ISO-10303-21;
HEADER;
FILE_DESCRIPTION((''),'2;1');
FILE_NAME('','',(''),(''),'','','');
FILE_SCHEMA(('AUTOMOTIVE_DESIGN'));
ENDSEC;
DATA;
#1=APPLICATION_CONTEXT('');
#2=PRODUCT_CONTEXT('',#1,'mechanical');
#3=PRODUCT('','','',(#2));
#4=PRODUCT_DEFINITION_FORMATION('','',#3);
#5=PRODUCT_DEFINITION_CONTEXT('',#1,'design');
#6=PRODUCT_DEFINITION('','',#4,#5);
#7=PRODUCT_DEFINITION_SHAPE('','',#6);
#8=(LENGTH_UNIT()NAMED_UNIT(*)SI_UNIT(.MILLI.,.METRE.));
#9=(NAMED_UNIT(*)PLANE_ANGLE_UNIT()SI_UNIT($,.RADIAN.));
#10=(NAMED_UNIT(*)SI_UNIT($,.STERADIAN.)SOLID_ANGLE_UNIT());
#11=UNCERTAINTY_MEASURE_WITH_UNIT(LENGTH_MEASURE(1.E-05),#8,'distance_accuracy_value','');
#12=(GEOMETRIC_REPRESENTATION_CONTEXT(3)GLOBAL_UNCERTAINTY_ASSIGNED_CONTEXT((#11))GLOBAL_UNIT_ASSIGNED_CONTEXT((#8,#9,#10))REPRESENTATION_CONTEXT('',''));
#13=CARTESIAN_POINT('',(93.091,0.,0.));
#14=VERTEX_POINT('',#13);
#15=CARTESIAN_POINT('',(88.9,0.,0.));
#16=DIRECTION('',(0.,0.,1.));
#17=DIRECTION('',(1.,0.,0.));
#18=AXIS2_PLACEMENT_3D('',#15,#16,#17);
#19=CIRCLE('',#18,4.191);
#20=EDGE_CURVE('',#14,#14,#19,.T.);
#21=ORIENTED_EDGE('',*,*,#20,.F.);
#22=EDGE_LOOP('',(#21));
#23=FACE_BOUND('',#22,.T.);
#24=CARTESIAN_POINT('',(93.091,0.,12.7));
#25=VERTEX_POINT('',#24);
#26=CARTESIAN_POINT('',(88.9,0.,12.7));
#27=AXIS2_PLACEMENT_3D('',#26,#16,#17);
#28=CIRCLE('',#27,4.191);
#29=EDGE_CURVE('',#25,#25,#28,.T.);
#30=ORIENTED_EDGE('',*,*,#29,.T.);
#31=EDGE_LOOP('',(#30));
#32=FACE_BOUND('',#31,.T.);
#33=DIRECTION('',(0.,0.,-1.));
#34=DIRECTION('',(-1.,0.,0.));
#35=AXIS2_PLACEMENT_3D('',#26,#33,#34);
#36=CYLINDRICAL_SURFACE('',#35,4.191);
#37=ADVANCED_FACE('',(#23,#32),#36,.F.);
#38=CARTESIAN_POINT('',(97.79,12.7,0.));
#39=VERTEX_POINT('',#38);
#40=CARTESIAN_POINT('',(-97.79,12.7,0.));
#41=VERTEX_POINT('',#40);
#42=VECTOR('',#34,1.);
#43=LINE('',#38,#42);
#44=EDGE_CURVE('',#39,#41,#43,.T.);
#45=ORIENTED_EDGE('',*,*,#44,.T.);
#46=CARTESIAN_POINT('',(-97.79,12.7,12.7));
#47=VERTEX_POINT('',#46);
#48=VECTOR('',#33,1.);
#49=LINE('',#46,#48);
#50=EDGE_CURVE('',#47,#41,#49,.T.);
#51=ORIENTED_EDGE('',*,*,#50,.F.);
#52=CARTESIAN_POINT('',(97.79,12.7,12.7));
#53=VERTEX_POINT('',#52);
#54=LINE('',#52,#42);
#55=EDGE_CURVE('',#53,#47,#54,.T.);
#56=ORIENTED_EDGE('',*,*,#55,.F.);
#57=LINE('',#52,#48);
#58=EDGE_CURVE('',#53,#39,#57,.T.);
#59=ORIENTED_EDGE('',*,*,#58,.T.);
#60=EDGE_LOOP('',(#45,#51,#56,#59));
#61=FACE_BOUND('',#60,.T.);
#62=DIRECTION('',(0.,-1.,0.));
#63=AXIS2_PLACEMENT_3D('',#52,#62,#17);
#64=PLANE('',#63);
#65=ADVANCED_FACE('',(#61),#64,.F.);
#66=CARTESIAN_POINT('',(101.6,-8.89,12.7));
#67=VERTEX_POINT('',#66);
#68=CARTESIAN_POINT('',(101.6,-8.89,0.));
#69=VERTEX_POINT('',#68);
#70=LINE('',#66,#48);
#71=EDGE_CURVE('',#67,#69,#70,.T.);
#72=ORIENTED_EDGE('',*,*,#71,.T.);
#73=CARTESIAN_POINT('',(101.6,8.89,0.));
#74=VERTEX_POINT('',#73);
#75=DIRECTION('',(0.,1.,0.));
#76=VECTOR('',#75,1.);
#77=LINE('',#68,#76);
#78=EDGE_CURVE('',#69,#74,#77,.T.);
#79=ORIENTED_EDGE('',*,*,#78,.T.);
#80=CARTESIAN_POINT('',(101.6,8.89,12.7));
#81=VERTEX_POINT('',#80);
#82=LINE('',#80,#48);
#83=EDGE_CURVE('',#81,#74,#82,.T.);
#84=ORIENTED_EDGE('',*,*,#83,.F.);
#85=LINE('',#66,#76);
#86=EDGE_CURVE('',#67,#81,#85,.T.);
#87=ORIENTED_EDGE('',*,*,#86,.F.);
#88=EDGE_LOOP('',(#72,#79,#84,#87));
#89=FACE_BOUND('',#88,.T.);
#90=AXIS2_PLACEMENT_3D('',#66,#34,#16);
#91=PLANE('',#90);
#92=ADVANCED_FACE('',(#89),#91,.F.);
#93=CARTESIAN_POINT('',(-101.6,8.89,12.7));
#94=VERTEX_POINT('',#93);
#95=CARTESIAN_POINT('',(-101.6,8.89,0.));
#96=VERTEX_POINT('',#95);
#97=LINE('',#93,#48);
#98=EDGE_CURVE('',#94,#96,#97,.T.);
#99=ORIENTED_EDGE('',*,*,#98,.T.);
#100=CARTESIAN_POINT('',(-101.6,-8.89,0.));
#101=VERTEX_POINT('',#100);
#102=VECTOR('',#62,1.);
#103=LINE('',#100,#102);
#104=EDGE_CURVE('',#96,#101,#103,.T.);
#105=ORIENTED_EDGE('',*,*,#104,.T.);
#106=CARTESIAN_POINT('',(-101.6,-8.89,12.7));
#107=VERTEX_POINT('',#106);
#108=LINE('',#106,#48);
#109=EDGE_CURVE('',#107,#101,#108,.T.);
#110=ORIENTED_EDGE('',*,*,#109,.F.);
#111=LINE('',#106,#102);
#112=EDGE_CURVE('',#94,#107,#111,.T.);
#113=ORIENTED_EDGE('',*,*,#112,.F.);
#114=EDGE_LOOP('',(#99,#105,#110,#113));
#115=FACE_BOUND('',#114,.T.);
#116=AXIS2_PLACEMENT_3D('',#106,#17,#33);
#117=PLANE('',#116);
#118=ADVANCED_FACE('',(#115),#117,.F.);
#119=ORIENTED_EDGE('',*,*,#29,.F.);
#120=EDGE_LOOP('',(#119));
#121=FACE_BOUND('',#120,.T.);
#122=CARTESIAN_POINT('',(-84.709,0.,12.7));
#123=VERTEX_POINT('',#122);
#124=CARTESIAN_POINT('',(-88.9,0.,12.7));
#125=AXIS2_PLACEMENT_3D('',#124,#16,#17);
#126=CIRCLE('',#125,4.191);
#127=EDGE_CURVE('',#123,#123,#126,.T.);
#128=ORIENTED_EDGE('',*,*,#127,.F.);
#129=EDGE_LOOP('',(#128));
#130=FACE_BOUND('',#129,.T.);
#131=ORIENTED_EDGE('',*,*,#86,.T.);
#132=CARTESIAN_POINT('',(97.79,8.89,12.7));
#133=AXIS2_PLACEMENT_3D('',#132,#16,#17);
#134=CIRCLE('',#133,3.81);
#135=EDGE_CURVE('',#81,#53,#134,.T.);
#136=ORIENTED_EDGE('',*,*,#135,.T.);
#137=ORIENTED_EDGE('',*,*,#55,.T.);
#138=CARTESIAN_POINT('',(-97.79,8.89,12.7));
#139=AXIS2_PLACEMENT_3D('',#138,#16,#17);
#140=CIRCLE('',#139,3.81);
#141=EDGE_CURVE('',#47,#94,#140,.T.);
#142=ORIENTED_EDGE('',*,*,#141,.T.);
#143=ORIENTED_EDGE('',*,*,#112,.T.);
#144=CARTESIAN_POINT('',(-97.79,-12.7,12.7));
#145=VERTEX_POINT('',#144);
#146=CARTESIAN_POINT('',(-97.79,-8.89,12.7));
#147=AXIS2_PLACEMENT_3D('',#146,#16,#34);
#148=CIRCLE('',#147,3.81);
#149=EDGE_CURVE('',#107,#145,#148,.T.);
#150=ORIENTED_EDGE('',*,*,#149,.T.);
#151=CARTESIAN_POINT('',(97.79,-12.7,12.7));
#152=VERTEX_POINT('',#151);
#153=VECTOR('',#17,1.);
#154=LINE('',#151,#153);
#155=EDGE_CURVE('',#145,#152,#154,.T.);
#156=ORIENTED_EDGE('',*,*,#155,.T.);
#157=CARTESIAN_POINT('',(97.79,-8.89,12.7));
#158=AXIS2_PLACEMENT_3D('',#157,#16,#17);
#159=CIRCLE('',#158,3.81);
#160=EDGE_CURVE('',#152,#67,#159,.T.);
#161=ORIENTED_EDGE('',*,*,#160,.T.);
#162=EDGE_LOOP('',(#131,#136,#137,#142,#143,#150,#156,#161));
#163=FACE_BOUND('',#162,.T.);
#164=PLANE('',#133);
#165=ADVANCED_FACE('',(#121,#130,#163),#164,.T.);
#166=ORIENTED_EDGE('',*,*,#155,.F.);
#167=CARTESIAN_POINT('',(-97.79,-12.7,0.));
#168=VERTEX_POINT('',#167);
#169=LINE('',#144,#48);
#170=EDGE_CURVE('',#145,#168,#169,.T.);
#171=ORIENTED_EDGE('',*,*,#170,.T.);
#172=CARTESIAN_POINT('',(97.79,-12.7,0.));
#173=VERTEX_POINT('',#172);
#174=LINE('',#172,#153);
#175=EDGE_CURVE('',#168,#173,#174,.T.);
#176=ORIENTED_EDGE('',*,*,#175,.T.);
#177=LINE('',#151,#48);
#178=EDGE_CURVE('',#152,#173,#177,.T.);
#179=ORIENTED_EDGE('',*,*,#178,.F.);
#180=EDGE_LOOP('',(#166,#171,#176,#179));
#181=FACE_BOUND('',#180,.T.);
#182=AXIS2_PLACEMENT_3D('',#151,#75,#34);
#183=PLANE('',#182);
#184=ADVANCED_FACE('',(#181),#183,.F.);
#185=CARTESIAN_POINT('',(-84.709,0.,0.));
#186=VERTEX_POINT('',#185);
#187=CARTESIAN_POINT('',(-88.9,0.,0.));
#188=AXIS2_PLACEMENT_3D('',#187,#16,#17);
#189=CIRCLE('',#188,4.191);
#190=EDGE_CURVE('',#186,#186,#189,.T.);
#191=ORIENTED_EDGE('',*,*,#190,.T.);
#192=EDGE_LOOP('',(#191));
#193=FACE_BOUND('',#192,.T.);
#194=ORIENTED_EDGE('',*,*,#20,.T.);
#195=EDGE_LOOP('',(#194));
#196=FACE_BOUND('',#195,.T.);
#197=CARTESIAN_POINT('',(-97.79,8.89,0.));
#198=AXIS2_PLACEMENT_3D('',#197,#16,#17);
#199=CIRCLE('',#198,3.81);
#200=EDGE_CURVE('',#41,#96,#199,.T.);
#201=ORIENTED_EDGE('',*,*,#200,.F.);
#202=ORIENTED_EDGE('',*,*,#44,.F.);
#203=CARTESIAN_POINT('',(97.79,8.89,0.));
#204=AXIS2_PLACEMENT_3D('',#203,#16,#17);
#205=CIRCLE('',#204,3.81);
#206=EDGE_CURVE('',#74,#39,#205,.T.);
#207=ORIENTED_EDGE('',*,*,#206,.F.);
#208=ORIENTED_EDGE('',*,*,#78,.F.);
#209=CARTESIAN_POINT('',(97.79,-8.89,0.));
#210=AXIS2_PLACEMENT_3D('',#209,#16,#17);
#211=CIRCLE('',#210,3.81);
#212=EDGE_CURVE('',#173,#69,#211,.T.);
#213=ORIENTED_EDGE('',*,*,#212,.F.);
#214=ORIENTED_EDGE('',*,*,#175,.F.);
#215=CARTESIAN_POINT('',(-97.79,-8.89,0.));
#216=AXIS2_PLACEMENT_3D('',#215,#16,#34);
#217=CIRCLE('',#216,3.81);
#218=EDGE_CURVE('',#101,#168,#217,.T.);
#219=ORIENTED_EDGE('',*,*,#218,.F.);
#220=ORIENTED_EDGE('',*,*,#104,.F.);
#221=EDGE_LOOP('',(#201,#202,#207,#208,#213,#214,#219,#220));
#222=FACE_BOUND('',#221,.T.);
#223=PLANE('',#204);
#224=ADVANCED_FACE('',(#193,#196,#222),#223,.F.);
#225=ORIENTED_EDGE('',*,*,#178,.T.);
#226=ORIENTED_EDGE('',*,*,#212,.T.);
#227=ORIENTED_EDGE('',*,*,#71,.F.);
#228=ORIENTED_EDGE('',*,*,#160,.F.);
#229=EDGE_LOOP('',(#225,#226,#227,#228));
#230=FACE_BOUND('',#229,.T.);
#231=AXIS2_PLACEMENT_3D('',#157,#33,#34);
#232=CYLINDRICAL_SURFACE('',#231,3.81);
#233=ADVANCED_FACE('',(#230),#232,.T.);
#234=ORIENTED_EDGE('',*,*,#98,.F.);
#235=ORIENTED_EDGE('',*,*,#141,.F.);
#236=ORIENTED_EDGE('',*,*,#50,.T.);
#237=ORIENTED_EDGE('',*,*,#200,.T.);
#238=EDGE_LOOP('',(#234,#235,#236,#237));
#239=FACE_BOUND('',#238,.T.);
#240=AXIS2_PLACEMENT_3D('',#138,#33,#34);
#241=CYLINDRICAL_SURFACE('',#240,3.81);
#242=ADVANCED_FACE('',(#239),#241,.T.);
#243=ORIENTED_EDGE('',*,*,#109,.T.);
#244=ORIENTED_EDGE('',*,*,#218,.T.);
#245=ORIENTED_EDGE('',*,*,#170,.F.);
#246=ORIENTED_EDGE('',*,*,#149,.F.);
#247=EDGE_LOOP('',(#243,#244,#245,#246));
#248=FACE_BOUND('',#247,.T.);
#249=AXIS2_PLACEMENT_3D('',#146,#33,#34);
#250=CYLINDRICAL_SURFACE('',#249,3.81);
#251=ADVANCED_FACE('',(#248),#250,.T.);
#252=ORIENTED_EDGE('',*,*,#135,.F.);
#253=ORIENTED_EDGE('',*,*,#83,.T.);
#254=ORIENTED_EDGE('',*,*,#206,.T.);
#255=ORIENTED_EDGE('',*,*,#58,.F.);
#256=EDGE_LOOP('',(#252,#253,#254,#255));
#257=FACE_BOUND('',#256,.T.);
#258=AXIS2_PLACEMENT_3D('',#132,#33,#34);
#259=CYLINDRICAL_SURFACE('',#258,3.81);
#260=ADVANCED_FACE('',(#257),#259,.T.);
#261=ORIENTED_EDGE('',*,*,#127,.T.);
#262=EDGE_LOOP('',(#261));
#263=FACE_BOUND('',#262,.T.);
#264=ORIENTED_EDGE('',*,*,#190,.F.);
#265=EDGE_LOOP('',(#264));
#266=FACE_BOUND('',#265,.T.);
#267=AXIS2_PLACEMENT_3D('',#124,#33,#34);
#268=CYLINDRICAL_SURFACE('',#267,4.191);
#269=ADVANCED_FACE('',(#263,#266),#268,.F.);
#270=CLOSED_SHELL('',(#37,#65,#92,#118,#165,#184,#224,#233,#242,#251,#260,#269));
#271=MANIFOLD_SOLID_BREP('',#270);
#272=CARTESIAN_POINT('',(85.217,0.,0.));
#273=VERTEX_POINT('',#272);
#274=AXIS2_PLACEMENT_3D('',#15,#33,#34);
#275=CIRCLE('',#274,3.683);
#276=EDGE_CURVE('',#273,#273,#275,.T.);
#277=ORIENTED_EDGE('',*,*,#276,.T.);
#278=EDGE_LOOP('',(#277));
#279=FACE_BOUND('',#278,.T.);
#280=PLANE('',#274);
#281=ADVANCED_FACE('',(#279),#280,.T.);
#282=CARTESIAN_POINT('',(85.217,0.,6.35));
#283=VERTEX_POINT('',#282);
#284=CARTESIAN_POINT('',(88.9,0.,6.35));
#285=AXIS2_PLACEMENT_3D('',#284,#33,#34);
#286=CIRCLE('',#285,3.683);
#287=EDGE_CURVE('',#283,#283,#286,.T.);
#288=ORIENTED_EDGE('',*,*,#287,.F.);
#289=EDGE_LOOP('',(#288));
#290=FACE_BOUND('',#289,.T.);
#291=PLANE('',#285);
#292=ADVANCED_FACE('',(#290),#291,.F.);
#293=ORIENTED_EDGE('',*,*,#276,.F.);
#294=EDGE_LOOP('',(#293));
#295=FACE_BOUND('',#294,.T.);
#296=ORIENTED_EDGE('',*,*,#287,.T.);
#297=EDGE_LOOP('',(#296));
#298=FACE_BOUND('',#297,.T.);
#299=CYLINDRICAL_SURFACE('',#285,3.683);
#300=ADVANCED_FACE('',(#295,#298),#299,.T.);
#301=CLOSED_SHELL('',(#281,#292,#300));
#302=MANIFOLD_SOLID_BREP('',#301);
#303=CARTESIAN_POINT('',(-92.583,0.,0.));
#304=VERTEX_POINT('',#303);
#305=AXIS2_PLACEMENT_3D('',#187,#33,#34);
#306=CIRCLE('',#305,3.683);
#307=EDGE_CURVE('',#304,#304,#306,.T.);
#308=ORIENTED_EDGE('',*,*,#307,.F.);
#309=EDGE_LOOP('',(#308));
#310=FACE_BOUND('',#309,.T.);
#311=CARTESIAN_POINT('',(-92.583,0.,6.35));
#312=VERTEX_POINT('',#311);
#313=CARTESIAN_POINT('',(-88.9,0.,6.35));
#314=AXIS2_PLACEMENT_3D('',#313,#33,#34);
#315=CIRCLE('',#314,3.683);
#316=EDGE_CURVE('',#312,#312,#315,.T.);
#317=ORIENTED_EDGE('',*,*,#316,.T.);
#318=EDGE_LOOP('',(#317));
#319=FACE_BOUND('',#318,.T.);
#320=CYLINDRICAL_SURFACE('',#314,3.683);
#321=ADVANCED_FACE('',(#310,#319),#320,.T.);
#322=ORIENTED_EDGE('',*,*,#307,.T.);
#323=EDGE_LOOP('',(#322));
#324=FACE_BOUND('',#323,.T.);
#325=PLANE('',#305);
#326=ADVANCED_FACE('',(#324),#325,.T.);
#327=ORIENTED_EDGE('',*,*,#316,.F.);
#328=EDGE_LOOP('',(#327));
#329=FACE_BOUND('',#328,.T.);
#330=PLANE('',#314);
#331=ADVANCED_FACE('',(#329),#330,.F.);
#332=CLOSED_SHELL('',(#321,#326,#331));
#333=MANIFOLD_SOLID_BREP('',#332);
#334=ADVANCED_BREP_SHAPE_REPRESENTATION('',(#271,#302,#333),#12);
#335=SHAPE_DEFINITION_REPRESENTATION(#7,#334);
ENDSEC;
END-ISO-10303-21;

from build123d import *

# Parameters (mm, degrees)
SKETCH1_R             = 4.191
BOSS_EXTRUDE1_DEPTH   = 12.7
SKETCH2_R             = 3.683
BOSS_EXTRUDE2_DEPTH   = 6.35
BOSS_EXTRUDE2_2_DEPTH = 6.35


with BuildPart() as part:
    # Sketch1 → Boss-Extrude1 (new body)
    with BuildSketch(Plane.XY):
        with BuildLine():
            Line((97.79, -12.7), (-97.79, -12.7))
            ThreePointArc((-97.79, -12.7), (-100.484076836, -11.584076836), (-101.6, -8.89))
            Line((-101.6, -8.89), (-101.6, 8.89))
            ThreePointArc((-101.6, 8.89), (-100.484076836, 11.584076836), (-97.79, 12.7))
            Line((-97.79, 12.7), (97.79, 12.7))
            ThreePointArc((97.79, 12.7), (100.484076836, 11.584076836), (101.6, 8.89))
            Line((101.6, 8.89), (101.6, -8.89))
            ThreePointArc((101.6, -8.89), (100.484076836, -11.584076836), (97.79, -12.7))
        make_face()
        with Locations((-88.9, 0)):
            Circle(SKETCH1_R, mode=Mode.SUBTRACT)
        with Locations((88.9, 0)):
            Circle(SKETCH1_R, mode=Mode.SUBTRACT)
    extrude(amount=BOSS_EXTRUDE1_DEPTH)


with BuildPart() as body_2:
    # Sketch2 → Boss-Extrude2 (new body)
    with BuildSketch(Plane(origin=(0, 0, 0), x_dir=(-1, 0, 0), z_dir=(0, 0, -1))):
        with Locations((-88.9, 0)):
            Circle(SKETCH2_R)
    extrude(amount=-BOSS_EXTRUDE2_DEPTH)


with BuildPart() as body_3:
    # Sketch2 → Boss-Extrude2 2 (new body)
    with BuildSketch(Plane(origin=(0, 0, 0), x_dir=(-1, 0, 0), z_dir=(0, 0, -1))):
        with Locations((88.9, 0)):
            Circle(SKETCH2_R)
    extrude(amount=-BOSS_EXTRUDE2_2_DEPTH)


solid = Compound([part.part, body_2.part, body_3.part])
